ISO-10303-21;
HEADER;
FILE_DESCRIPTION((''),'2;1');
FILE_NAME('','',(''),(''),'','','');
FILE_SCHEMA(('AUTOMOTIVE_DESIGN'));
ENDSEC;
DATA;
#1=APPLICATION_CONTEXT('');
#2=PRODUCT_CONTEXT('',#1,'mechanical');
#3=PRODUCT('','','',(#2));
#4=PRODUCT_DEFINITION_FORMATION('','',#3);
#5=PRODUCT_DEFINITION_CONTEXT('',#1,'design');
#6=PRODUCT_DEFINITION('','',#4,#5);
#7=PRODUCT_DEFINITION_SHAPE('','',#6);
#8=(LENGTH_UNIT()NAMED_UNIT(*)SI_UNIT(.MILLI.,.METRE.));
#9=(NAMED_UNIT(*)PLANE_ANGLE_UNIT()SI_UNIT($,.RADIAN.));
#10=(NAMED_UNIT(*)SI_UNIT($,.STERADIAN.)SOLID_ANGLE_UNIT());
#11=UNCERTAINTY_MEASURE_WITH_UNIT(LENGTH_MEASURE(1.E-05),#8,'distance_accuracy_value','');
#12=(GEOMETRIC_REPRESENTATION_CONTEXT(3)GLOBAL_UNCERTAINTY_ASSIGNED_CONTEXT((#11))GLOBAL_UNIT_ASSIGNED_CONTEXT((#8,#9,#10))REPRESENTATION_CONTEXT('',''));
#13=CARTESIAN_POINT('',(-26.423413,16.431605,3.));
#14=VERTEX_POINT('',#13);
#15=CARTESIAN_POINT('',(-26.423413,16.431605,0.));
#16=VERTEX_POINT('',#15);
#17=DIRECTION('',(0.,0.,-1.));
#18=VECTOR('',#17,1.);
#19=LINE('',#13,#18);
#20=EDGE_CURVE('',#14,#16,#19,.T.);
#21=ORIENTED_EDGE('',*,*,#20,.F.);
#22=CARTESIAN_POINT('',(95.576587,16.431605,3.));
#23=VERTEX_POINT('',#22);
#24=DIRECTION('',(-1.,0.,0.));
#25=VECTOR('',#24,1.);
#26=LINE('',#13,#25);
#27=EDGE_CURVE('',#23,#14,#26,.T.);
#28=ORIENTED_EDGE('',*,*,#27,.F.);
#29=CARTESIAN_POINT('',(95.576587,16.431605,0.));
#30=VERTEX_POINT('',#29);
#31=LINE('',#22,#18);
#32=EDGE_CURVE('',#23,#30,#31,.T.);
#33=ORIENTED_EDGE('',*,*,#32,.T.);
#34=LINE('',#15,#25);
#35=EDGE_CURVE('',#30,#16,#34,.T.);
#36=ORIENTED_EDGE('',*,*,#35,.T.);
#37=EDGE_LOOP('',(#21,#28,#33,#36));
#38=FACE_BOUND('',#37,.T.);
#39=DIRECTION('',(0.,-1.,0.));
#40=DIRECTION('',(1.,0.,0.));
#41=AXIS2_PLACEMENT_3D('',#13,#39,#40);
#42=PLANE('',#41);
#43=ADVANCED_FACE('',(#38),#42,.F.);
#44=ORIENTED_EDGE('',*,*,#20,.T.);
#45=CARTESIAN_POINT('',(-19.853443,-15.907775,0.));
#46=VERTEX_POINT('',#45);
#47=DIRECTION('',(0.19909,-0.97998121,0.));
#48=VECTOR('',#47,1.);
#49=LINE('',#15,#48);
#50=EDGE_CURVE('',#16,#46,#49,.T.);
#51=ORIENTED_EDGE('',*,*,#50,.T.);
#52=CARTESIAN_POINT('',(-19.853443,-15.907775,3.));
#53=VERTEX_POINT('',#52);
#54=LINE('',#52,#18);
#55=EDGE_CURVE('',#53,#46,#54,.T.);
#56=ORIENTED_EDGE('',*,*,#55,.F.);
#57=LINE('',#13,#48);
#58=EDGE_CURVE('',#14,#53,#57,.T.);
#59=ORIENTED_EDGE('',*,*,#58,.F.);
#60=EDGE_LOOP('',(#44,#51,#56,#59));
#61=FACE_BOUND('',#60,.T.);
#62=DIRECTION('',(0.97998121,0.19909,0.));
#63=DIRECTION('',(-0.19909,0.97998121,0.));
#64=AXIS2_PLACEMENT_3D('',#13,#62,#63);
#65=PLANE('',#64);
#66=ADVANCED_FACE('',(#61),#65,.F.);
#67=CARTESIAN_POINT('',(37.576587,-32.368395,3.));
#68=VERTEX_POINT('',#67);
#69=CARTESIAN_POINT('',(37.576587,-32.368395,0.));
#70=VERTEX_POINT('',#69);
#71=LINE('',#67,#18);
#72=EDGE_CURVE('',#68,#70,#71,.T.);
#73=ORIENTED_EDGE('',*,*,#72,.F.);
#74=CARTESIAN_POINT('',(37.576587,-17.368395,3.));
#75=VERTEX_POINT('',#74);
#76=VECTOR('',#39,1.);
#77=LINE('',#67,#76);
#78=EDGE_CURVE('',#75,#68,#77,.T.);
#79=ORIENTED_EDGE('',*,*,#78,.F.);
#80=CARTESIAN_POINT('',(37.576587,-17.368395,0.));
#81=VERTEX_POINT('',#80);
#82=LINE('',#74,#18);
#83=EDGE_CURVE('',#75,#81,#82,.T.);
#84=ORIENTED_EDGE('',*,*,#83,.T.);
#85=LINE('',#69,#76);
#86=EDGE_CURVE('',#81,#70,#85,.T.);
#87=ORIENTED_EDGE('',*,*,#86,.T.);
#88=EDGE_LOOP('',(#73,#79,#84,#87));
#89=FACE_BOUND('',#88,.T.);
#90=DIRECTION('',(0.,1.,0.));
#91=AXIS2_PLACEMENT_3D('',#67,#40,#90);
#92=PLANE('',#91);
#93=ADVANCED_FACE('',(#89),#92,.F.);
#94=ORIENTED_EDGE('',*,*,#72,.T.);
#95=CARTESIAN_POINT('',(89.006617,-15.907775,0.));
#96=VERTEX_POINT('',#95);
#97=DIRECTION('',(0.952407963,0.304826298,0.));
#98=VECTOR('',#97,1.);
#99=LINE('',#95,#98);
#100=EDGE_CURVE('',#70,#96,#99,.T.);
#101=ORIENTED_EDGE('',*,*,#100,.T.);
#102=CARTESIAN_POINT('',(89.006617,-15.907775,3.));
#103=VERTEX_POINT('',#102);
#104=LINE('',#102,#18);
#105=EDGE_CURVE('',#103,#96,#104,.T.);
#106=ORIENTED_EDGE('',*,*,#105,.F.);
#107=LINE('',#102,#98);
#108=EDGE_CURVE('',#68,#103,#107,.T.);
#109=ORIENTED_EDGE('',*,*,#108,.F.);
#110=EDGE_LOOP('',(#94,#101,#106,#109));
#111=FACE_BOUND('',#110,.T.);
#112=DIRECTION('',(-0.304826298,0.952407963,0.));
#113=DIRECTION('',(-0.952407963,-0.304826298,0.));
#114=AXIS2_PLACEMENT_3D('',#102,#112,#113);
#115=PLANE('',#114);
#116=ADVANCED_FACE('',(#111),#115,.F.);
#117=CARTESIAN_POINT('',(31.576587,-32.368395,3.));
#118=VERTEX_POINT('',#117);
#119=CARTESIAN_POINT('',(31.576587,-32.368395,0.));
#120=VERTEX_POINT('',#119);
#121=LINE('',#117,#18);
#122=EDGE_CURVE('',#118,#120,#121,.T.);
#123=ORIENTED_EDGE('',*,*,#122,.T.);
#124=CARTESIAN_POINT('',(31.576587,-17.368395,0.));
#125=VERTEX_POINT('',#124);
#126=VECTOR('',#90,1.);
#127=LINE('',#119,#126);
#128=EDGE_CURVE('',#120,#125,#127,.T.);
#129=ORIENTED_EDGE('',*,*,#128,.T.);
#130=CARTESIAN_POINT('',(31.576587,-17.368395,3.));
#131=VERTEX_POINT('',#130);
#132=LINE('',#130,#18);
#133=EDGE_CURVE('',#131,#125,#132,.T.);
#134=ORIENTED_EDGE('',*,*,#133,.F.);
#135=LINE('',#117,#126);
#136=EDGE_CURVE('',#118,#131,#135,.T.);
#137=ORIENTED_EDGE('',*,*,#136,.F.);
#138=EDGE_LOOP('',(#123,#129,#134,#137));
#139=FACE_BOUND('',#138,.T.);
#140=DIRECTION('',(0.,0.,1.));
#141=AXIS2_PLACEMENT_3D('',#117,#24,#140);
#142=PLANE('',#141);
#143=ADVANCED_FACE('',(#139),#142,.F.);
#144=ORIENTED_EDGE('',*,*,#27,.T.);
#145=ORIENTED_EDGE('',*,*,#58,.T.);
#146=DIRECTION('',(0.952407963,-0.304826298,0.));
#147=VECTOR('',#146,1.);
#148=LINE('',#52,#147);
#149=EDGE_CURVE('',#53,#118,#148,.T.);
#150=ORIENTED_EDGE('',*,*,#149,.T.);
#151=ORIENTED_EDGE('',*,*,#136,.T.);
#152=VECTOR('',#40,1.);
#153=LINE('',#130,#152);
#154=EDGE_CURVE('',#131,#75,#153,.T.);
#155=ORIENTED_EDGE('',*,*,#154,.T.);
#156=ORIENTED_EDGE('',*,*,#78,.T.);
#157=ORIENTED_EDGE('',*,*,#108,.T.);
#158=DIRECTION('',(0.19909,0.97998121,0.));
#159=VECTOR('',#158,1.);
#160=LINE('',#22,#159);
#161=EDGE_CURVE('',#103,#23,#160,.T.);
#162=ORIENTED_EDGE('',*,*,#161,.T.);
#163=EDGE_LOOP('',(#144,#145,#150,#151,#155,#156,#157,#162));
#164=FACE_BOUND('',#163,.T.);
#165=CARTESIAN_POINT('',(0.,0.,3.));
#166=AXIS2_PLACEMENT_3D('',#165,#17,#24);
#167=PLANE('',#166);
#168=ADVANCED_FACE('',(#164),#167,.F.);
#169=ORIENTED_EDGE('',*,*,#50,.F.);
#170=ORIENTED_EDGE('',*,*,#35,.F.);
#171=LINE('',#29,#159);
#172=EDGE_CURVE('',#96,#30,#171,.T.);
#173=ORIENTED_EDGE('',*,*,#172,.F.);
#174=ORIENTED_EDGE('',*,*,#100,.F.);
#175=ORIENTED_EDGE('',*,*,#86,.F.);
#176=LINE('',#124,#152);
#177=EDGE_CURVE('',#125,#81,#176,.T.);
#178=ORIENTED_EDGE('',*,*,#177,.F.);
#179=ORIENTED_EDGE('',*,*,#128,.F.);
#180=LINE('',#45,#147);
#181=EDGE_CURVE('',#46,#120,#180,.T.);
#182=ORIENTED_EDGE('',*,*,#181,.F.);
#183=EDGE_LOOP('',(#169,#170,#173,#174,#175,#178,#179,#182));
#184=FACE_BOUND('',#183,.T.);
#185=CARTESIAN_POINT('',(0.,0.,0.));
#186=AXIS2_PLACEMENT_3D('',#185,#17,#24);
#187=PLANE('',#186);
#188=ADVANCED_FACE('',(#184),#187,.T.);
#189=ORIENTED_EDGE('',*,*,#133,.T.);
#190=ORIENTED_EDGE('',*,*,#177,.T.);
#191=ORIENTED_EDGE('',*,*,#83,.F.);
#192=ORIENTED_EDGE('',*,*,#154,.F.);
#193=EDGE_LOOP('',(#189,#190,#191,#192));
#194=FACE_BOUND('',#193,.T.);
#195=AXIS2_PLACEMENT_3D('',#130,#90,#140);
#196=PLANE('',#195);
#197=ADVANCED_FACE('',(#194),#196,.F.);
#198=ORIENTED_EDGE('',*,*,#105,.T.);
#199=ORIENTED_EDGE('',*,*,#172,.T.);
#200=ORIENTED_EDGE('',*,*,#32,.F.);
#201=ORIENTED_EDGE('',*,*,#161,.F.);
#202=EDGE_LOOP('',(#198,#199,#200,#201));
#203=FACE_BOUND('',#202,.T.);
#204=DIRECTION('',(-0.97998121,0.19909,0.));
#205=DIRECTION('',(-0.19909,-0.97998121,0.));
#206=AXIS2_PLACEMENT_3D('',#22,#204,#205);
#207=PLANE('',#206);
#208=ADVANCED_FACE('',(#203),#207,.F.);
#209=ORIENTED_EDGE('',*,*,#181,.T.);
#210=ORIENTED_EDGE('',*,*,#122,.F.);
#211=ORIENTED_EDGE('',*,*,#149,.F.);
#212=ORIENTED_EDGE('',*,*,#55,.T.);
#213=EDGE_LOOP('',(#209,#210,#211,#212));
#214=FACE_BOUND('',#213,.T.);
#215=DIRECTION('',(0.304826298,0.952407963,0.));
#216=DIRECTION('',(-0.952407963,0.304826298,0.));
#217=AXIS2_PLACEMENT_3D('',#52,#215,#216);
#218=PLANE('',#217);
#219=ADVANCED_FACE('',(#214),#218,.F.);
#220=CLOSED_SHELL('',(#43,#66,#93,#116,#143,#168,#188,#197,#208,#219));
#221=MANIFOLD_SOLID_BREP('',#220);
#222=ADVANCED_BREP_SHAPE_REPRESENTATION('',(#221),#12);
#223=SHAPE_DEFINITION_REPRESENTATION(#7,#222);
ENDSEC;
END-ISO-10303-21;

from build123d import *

# Parameters (mm, degrees)
BOSS_EXTRU_1_DEPTH = 3


with BuildPart() as part:
    # Esquisse1 → Boss.-Extru.1 (new body)
    with BuildSketch(Plane.XY):
        Polygon((-26.423413348, 16.431604979), (95.576586652, 16.431604979), (89.006616663, -15.907774953), (37.576586652, -32.368395021), (37.576586652, -17.368395021), (31.576586652, -17.368395021), (31.576586652, -32.368395021), (-19.853443359, -15.907774953), align=None)
    extrude(amount=BOSS_EXTRU_1_DEPTH)


solid = part.part
